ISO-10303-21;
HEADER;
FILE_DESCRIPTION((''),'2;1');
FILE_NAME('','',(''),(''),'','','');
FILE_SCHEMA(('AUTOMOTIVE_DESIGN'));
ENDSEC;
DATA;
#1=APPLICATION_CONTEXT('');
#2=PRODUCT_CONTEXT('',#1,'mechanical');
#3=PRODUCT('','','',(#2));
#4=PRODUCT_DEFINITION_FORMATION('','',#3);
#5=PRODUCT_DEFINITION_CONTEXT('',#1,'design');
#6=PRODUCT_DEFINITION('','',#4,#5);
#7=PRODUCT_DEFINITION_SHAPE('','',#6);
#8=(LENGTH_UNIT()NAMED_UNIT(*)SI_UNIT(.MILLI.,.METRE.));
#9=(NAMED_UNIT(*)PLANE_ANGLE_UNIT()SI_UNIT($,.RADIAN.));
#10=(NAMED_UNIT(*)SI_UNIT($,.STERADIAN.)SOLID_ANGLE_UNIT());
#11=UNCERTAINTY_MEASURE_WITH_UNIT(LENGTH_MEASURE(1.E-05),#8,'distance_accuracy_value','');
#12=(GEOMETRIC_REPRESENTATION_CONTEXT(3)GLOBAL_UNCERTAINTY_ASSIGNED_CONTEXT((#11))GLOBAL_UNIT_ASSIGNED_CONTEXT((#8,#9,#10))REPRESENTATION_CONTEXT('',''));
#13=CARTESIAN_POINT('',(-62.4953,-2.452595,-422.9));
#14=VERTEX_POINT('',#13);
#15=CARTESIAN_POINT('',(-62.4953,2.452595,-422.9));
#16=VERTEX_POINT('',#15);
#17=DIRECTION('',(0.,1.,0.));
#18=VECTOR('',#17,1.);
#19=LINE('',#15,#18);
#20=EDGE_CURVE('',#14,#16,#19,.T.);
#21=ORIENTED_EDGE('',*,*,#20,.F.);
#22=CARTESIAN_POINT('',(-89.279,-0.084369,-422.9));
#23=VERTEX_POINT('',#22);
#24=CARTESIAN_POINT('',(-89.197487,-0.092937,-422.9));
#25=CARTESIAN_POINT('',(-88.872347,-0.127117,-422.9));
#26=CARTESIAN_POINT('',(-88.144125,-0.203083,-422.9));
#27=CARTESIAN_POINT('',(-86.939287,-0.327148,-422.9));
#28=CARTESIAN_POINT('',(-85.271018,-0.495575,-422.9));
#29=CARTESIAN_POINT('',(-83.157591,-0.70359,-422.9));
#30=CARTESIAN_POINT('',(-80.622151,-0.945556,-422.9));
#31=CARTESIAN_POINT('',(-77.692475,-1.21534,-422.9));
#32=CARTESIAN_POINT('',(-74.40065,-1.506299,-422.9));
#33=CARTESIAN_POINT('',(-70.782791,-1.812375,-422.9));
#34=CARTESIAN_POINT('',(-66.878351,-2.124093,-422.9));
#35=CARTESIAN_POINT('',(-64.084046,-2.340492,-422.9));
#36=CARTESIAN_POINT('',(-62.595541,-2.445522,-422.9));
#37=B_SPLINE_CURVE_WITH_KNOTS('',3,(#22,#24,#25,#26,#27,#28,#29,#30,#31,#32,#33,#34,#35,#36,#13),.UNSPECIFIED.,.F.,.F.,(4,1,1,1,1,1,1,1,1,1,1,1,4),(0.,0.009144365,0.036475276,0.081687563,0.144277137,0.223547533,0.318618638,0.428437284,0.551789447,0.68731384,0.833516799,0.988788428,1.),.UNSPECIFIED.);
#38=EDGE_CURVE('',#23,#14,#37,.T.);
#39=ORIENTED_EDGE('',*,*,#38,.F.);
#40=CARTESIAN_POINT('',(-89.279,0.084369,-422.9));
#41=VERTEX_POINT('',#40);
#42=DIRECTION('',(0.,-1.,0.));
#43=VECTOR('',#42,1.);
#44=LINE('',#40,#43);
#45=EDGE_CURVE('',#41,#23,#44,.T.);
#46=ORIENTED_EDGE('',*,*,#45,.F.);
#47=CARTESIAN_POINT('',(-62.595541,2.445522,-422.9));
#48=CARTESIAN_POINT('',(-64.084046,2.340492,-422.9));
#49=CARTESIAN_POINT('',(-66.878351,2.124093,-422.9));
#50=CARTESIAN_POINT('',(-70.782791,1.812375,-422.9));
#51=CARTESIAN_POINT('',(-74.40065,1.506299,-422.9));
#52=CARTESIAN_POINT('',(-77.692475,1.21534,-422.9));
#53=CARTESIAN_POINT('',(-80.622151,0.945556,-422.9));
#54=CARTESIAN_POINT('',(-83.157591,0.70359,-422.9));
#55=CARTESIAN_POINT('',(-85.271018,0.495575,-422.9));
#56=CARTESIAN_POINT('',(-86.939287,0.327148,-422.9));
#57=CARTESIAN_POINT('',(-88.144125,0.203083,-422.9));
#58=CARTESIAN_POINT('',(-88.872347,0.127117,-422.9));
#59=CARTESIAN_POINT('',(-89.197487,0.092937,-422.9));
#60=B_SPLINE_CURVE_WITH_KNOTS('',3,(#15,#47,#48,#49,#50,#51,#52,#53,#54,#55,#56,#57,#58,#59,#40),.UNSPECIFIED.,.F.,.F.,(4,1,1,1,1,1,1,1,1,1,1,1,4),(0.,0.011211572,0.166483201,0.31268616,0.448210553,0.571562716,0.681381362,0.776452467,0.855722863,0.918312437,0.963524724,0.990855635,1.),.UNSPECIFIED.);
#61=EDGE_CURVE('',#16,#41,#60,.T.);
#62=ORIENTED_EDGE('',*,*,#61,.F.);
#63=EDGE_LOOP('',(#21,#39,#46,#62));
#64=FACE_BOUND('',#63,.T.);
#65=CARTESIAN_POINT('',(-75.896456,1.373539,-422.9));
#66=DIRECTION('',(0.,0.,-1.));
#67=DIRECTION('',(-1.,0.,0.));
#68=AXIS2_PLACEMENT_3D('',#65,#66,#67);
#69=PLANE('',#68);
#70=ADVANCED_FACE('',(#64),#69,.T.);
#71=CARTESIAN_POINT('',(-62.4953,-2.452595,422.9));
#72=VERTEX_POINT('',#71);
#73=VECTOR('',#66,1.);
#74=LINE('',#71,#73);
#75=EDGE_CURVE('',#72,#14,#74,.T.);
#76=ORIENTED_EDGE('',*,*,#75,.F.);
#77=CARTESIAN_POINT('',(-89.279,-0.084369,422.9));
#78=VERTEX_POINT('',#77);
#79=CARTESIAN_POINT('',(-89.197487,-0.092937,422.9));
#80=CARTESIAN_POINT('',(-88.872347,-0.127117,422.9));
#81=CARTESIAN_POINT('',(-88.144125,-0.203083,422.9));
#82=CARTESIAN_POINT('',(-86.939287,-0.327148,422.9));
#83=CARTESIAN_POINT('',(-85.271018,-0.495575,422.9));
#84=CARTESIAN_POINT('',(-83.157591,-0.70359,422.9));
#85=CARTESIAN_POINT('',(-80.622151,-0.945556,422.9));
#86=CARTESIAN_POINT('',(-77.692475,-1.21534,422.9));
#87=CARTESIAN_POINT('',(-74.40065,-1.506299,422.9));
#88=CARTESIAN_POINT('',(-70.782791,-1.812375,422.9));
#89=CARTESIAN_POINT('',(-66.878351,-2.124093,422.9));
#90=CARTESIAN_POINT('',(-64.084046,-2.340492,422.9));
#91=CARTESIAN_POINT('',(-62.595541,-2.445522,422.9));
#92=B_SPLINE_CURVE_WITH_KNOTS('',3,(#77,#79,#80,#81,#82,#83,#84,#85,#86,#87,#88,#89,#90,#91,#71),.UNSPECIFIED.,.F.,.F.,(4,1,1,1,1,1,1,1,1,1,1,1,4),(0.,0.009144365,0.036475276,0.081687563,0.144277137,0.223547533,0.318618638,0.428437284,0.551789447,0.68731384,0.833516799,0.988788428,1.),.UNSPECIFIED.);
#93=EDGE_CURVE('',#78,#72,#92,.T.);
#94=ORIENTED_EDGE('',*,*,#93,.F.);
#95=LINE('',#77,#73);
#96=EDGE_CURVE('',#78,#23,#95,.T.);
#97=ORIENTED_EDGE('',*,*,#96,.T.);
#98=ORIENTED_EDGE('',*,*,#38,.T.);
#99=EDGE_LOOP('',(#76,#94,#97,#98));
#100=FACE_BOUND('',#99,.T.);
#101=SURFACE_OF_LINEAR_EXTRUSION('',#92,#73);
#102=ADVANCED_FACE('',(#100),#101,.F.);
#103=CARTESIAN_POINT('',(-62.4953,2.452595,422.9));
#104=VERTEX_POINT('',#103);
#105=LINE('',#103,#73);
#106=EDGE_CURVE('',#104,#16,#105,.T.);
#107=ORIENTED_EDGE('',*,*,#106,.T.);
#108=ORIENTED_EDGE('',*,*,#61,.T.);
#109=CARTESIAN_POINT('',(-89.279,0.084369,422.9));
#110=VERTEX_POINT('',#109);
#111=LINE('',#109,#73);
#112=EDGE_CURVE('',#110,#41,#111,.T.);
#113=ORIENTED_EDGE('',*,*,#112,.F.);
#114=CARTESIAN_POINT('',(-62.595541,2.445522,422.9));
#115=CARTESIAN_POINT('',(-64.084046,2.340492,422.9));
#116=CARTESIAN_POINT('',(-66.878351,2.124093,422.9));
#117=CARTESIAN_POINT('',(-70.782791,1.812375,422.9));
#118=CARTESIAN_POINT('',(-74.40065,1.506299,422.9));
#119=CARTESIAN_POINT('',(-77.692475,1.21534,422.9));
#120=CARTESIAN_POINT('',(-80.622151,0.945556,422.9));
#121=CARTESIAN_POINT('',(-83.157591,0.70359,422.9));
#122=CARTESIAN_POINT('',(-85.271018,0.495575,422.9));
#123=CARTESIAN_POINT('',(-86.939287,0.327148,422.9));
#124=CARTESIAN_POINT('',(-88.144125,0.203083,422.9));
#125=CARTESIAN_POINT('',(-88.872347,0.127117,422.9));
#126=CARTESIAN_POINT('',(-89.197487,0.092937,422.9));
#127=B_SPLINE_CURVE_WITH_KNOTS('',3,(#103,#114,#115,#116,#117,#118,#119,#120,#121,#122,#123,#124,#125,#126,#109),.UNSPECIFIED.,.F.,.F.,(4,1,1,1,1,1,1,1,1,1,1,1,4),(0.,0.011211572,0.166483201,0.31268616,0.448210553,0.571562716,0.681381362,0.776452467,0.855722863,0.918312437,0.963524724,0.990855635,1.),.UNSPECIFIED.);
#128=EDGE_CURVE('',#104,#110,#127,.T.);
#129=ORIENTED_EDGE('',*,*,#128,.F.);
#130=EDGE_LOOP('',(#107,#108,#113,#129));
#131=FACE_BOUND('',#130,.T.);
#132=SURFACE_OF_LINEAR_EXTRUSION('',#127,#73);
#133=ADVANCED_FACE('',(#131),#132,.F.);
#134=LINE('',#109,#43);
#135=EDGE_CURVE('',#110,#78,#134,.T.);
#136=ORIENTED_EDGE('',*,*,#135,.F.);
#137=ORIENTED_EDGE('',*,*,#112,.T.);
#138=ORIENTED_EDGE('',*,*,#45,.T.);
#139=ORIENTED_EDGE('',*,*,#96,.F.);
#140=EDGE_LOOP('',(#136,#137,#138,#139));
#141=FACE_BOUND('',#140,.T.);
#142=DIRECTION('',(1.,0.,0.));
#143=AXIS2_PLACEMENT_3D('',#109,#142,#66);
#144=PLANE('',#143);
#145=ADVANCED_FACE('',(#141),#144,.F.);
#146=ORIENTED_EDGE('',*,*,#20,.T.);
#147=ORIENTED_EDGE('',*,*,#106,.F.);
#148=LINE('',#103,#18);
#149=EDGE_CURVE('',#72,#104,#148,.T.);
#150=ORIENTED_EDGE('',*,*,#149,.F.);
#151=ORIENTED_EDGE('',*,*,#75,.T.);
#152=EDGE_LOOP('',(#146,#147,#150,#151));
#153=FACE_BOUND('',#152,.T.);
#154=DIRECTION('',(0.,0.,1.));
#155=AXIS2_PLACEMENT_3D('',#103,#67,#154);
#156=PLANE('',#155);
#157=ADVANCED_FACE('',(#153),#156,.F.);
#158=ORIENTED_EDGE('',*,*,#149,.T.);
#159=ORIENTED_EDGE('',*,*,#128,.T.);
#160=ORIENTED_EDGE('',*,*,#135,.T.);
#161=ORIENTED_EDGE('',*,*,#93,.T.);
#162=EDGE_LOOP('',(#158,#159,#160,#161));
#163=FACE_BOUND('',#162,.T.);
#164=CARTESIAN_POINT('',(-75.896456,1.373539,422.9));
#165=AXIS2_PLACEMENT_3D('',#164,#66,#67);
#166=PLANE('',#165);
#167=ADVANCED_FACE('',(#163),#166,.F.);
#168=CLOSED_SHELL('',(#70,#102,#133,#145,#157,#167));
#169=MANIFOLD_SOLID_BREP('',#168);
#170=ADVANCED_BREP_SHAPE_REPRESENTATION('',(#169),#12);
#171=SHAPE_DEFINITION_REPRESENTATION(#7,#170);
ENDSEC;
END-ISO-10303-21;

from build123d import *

# Parameters (mm, degrees)
BOSS_EXTRUDE1_DEPTH = 422.9


with BuildPart() as part:
    # Sketch1 → Boss-Extrude1 (new, symmetric)
    with BuildSketch(Plane.XY):
        with BuildLine():
            Line((-62.4953, 2.452594733), (-62.4953, -2.452594733))
            add(Edge.make_bspline(
                [(-62.4953, -2.452594733), (-62.595541239, -2.445521659), (-64.084046323, -2.340491977), (-66.878351121, -2.124092935), (-70.782790818, -1.812374654), (-74.400650142, -1.50629894), (-77.692474662, -1.215339637), (-80.622150765, -0.945556494), (-83.157591059, -0.703590248), (-85.271018328, -0.495574614), (-86.939286597, -0.327147858), (-88.144124904, -0.203082754), (-88.872347289, -0.12711663), (-89.197487285, -0.0929374), (-89.279, -0.084368655)],
                knots=[0, 0, 0, 0, 0.011211572, 0.166483201, 0.31268616, 0.448210553, 0.571562716, 0.681381362, 0.776452467, 0.855722863, 0.918312437, 0.963524724, 0.990855635, 1, 1, 1, 1], degree=3))
            Line((-89.279, -0.084368655), (-89.279, 0.084368655))
            add(Edge.make_bspline(
                [(-62.4953, 2.452594733), (-62.595541239, 2.445521659), (-64.084046323, 2.340491977), (-66.878351121, 2.124092935), (-70.782790818, 1.812374654), (-74.400650142, 1.50629894), (-77.692474662, 1.215339637), (-80.622150765, 0.945556494), (-83.157591059, 0.703590248), (-85.271018328, 0.495574614), (-86.939286597, 0.327147858), (-88.144124904, 0.203082754), (-88.872347289, 0.12711663), (-89.197487285, 0.0929374), (-89.279, 0.084368655)],
                knots=[0, 0, 0, 0, 0.011211572, 0.166483201, 0.31268616, 0.448210553, 0.571562716, 0.681381362, 0.776452467, 0.855722863, 0.918312437, 0.963524724, 0.990855635, 1, 1, 1, 1], degree=3))
        make_face()
    extrude(amount=BOSS_EXTRUDE1_DEPTH, both=True)


solid = part.part
